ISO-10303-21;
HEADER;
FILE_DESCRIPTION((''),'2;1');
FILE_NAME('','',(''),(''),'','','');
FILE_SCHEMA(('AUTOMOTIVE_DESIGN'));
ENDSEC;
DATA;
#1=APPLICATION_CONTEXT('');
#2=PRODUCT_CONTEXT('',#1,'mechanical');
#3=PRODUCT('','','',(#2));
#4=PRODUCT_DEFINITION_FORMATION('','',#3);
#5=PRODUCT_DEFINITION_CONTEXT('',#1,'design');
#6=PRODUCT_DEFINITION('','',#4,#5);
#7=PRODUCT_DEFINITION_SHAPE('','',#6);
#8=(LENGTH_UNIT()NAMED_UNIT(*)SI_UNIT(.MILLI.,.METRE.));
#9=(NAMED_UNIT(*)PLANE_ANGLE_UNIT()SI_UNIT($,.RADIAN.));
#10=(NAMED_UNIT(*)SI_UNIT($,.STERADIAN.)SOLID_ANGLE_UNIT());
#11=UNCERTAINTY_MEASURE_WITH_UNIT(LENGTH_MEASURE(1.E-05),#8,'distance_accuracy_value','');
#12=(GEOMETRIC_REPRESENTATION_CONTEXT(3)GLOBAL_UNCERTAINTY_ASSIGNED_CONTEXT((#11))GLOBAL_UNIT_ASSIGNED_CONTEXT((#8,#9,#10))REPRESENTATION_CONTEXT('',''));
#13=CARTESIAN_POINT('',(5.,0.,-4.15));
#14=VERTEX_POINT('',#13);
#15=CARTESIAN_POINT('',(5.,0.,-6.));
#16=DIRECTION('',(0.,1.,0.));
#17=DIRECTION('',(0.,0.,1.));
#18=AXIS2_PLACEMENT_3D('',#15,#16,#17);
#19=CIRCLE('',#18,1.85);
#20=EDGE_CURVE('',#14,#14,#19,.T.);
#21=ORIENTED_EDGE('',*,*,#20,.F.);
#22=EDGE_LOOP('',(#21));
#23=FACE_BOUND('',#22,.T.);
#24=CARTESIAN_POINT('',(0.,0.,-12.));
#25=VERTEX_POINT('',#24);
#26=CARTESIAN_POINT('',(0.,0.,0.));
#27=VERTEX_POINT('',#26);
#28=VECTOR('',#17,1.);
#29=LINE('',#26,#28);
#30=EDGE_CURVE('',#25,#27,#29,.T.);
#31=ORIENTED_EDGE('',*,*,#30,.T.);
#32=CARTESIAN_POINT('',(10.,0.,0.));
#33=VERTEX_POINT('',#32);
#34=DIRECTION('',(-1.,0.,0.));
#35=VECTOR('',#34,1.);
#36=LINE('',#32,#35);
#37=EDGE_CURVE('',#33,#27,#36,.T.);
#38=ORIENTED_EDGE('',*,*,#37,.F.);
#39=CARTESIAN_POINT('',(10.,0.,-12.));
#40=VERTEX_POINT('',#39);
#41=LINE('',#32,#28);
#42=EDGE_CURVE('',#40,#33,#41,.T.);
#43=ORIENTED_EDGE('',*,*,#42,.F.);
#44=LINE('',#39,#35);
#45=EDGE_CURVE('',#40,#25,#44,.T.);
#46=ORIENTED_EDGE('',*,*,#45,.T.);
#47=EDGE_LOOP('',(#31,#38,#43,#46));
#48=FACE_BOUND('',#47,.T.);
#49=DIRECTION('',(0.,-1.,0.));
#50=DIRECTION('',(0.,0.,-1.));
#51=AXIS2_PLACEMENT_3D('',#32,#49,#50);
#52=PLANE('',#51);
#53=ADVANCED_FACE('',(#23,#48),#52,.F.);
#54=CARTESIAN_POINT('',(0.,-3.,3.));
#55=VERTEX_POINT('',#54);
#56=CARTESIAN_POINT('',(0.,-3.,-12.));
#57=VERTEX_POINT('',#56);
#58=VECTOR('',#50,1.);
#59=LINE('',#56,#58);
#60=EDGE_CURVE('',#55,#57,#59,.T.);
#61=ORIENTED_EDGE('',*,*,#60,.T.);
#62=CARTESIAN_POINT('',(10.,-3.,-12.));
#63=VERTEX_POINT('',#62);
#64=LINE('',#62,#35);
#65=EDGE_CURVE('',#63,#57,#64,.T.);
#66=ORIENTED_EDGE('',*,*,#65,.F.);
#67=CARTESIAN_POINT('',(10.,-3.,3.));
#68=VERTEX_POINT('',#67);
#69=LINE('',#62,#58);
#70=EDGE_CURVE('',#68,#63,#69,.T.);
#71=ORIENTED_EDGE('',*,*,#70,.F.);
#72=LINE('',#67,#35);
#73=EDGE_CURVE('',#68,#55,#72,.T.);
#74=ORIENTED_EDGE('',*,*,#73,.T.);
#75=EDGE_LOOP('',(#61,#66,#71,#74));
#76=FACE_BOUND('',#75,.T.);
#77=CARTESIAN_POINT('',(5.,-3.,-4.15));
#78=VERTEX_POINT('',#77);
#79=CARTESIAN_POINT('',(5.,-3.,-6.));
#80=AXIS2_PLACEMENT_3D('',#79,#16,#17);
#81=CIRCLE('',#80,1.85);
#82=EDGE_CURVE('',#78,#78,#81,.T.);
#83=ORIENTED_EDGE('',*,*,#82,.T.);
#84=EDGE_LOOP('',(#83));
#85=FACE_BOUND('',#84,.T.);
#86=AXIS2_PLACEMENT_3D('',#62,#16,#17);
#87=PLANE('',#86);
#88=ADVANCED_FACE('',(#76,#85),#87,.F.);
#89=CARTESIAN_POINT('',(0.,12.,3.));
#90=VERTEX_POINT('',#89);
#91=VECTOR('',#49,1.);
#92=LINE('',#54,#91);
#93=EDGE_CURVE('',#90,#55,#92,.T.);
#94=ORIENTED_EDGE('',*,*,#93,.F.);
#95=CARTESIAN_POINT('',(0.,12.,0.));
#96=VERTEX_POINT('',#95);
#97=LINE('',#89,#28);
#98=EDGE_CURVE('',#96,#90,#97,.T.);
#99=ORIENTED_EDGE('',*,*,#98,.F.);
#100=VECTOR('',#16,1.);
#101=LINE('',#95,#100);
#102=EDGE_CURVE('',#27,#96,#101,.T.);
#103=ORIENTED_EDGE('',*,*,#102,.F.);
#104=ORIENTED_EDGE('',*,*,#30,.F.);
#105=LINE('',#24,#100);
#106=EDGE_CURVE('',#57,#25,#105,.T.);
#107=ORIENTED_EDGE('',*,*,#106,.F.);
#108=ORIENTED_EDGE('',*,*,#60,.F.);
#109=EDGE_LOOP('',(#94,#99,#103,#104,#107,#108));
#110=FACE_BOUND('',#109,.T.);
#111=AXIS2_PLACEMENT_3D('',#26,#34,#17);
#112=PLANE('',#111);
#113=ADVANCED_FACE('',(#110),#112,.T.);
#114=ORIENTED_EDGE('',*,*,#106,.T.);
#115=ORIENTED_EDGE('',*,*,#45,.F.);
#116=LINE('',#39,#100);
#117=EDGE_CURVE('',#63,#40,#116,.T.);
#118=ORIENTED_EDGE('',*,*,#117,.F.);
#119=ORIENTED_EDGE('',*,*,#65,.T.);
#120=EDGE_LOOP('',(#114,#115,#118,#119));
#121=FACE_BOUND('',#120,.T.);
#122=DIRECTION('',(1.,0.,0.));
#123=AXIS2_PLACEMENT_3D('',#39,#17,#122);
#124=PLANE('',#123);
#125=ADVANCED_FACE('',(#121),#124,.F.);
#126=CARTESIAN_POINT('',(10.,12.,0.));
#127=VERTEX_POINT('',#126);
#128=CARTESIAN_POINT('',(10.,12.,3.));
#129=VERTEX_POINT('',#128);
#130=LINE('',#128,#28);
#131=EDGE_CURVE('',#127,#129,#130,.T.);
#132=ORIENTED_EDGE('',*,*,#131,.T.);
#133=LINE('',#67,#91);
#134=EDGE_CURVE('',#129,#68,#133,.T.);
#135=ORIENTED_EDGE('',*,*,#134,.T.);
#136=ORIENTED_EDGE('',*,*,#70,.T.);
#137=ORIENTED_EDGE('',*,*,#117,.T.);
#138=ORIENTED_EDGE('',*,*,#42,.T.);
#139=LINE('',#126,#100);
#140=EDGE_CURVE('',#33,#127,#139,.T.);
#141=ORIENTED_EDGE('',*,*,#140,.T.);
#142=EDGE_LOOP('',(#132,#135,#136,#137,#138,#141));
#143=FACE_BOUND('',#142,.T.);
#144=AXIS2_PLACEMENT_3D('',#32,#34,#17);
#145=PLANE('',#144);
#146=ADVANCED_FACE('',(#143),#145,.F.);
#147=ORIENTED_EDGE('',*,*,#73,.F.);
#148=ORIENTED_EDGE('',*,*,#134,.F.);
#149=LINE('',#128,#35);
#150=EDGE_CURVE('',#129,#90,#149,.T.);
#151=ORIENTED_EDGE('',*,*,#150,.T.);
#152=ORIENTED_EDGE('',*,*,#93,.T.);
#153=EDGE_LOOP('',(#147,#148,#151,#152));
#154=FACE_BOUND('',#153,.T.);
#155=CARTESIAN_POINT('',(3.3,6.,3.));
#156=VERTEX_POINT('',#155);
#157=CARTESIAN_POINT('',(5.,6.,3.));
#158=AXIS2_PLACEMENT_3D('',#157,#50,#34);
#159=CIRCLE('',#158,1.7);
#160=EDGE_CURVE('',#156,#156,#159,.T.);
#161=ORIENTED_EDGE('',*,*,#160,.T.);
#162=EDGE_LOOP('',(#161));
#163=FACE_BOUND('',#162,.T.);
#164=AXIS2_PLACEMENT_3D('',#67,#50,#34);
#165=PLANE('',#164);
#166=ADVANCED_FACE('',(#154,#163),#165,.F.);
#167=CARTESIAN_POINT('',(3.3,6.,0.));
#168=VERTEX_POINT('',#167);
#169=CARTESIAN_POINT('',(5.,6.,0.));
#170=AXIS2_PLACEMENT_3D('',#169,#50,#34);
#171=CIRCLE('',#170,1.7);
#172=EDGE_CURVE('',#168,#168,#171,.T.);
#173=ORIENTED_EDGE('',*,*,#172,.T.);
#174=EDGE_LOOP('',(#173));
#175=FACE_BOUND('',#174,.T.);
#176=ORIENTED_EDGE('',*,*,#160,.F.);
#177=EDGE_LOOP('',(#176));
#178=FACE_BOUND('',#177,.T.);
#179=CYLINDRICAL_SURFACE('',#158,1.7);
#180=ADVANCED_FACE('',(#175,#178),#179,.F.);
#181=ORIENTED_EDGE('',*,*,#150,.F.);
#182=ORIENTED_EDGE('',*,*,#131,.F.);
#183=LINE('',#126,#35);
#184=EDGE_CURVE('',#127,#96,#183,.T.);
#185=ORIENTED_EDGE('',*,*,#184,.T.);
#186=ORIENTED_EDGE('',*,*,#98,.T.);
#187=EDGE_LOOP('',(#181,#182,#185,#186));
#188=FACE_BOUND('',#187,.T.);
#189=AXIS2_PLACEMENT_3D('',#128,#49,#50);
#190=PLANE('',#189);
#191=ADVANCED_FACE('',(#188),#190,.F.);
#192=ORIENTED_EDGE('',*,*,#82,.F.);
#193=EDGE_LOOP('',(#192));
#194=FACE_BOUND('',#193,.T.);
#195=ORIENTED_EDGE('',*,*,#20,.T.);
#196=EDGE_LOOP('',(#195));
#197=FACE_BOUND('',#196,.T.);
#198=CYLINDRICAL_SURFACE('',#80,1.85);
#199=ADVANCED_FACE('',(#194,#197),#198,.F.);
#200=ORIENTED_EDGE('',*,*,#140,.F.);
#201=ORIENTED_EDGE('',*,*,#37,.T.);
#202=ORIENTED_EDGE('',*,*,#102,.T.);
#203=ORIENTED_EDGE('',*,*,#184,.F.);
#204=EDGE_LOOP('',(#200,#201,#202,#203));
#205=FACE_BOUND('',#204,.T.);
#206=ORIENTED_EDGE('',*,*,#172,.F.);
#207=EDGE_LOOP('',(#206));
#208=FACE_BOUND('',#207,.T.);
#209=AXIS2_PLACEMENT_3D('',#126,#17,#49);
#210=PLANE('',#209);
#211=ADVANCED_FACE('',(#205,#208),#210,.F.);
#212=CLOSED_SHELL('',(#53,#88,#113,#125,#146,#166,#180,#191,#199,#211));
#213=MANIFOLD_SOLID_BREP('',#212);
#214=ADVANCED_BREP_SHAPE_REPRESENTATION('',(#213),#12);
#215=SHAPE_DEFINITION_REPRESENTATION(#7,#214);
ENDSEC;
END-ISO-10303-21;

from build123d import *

# Parameters (mm, degrees)
BOSS_EXTRUDE1_DEPTH = 10
SKETCH2_R           = 1.85
CUT_EXTRUDE1_DEPTH  = 20.697715604
SKETCH4_R           = 1.7
CUT_EXTRUDE2_DEPTH  = 20.697715604


with BuildPart() as part:
    # Sketch1 → Boss-Extrude1 (new body)
    with BuildSketch(Plane(origin=(0, 0, 0), x_dir=(0, 0, -1), z_dir=(1, 0, 0))):
        Polygon((-3, 12), (0, 12), (0, 0), (12, 0), (12, -3), (-3, -3), align=None)
    extrude(amount=BOSS_EXTRUDE1_DEPTH)

    # Sketch2 → Cut-Extrude1 (cut, through all)
    with BuildSketch(Plane(origin=(0, 0, 0), x_dir=(1, 0, 0), z_dir=(0, 1, 0))):
        with Locations(Location((5, 6, 0), (0, 0, 270))):
            Circle(SKETCH2_R)
    extrude(amount=-CUT_EXTRUDE1_DEPTH, mode=Mode.SUBTRACT)

    # Sketch4 → Cut-Extrude2 (cut, through all)
    with BuildSketch(Plane(origin=(0, 0, 0), x_dir=(-1, 0, 0), z_dir=(0, 0, -1))):
        with Locations((-5, 6)):
            Circle(SKETCH4_R)
    extrude(amount=-CUT_EXTRUDE2_DEPTH, mode=Mode.SUBTRACT)


solid = part.part
